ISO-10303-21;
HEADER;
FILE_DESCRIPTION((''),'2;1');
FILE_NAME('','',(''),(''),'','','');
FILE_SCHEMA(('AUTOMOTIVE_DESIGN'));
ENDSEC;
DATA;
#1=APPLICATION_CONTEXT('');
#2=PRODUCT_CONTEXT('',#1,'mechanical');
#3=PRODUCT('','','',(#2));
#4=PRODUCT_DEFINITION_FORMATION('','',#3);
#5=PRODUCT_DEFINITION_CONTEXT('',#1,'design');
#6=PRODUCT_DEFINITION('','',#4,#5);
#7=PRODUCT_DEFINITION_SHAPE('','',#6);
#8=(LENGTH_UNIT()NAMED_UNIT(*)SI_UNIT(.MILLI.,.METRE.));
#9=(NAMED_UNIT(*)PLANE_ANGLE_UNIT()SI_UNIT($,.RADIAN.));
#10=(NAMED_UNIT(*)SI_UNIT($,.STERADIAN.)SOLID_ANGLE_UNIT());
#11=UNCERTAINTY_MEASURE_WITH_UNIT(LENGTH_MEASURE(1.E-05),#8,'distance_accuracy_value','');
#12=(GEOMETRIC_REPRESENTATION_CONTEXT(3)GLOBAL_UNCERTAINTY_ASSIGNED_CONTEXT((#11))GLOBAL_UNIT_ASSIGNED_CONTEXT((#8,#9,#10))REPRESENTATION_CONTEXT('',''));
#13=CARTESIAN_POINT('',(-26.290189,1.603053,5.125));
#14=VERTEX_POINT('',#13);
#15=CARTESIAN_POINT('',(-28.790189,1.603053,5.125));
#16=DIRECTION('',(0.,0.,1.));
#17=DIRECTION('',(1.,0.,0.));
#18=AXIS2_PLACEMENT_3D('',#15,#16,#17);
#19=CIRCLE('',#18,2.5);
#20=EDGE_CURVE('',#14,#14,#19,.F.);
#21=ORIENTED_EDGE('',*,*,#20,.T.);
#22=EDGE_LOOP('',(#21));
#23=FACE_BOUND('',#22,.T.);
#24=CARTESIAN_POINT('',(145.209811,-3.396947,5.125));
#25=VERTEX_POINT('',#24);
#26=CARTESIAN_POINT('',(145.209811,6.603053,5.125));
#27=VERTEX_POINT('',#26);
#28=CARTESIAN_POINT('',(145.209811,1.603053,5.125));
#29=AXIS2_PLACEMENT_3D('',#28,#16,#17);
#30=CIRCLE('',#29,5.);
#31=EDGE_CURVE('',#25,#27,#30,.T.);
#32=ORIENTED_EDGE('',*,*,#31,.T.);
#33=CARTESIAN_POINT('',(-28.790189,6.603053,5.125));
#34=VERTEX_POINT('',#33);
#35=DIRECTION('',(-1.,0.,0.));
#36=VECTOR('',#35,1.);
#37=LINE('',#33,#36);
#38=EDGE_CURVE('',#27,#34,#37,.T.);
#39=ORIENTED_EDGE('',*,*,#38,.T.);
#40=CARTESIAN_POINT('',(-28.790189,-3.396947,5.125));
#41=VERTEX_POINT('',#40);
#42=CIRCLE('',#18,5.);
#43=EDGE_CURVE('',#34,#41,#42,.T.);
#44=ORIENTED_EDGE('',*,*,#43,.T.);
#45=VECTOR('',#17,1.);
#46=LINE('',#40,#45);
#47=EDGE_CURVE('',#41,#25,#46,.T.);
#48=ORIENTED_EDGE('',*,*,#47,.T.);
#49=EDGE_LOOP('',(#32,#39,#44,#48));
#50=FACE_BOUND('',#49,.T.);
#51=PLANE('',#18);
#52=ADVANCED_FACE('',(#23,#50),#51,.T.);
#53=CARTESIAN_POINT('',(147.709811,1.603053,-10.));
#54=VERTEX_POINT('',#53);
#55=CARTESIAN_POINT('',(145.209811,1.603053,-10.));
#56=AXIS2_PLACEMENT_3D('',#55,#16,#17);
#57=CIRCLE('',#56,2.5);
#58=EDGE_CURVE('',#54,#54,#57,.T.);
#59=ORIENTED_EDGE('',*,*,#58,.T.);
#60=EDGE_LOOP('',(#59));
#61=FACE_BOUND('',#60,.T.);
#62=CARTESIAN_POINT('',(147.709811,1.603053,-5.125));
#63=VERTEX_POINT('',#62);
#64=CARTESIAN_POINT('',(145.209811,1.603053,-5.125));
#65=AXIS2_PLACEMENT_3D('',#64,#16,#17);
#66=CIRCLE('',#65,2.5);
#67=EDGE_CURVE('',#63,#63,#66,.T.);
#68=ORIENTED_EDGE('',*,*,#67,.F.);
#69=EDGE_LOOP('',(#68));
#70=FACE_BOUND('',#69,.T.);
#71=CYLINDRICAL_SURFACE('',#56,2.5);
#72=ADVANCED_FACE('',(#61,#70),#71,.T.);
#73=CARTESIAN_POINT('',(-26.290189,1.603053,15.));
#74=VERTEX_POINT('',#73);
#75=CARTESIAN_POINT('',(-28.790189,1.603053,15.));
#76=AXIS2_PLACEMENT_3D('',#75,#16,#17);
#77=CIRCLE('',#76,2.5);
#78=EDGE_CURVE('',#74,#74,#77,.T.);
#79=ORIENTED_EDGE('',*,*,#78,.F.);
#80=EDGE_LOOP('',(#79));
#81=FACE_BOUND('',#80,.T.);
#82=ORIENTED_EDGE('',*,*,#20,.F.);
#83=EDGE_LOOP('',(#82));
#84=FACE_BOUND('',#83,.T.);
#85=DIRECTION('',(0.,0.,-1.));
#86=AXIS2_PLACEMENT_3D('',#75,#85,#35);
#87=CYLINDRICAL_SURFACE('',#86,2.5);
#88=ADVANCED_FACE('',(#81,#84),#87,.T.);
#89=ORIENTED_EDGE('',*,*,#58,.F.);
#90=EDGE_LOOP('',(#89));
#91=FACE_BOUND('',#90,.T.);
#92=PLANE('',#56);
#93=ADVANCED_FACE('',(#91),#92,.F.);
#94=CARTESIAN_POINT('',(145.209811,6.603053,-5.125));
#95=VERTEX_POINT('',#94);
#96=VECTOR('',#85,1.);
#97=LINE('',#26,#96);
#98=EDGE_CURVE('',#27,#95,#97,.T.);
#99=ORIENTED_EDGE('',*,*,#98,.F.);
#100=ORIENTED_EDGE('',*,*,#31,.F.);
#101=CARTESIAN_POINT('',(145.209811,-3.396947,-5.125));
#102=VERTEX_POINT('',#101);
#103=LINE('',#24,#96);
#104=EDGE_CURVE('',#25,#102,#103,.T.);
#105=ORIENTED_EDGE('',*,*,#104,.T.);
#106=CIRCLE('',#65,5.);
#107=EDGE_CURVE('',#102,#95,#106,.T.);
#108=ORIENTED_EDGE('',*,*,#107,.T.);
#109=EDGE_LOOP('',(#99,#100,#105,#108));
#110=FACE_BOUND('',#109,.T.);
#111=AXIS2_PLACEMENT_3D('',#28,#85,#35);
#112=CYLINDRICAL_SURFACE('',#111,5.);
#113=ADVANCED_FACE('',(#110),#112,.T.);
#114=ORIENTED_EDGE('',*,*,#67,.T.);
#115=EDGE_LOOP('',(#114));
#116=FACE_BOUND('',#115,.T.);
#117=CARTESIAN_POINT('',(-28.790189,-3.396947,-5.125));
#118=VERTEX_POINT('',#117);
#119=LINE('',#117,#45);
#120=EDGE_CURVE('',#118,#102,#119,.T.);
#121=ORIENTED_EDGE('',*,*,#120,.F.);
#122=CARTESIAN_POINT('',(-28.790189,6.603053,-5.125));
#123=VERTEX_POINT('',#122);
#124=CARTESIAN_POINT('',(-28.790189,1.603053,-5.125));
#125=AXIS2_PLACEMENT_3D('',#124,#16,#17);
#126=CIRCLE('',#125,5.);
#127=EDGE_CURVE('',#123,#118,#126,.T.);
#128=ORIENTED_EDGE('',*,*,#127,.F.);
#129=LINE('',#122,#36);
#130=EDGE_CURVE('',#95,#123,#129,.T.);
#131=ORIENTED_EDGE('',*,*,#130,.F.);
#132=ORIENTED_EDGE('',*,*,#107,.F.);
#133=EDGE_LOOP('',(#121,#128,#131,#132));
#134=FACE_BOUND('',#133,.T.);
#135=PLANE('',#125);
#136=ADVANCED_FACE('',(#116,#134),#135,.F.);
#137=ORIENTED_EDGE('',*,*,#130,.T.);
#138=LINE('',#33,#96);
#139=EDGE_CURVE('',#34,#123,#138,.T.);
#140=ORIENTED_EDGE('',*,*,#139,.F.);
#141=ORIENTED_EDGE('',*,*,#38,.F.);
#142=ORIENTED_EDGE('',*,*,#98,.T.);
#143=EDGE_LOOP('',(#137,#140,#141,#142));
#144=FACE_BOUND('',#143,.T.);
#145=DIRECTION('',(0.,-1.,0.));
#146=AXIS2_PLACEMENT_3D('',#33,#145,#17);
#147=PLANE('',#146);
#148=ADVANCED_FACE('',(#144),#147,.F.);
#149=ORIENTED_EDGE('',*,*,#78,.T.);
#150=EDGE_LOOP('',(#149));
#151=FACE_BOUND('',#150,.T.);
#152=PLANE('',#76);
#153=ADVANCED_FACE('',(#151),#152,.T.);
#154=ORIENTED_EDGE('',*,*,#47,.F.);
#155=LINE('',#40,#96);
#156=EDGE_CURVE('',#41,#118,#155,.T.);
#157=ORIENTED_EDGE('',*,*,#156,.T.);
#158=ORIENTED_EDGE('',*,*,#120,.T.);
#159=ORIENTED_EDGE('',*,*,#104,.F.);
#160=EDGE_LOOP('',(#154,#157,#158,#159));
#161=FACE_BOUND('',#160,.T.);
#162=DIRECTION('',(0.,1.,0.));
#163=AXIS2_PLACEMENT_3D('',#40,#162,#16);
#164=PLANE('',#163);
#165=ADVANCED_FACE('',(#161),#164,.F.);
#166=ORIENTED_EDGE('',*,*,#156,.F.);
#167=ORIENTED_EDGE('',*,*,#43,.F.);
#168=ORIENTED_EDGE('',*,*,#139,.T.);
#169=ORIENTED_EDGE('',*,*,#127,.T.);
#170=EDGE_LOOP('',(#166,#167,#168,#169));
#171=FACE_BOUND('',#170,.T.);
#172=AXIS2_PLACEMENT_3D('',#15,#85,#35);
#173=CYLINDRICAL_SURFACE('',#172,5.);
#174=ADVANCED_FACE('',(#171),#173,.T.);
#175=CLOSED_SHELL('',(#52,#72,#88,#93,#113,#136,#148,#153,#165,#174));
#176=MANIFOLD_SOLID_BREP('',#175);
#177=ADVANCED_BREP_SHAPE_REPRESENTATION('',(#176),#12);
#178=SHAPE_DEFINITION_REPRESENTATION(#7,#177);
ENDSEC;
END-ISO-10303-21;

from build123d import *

# Parameters (mm, degrees)
BOSS_EXTRU_1_DEPTH = 5.125
ESQUISSE2_R        = 2.5
BOSS_EXTRU_2_DEPTH = 15
ESQUISSE3_R        = 2.5
BOSS_EXTRU_3_DEPTH = 10


with BuildPart() as part:
    # Esquisse1 → Boss.-Extru.1 (new body, symmetric)
    with BuildSketch(Plane.XY):
        with BuildLine():
            Line((-28.790189362, 6.603053435), (145.209810638, 6.603053435))
            ThreePointArc((145.209810638, 6.603053435), (150.209810638, 1.603053435), (145.209810638, -3.396946565))
            Line((145.209810638, -3.396946565), (-28.790189362, -3.396946565))
            ThreePointArc((-28.790189362, -3.396946565), (-33.790189362, 1.603053435), (-28.790189362, 6.603053435))
        make_face()
    extrude(amount=BOSS_EXTRU_1_DEPTH, both=True)

    # Esquisse2 → Boss.-Extru.2 (add)
    with BuildSketch(Plane.XY):
        with Locations((-28.790189362, 1.603053435)):
            Circle(ESQUISSE2_R)
    extrude(amount=BOSS_EXTRU_2_DEPTH)

    # Esquisse3 → Boss.-Extru.3 (add)
    with BuildSketch(Plane.XY):
        with Locations((145.209810638, 1.603053435)):
            Circle(ESQUISSE3_R)
    extrude(amount=-BOSS_EXTRU_3_DEPTH)


solid = part.part
